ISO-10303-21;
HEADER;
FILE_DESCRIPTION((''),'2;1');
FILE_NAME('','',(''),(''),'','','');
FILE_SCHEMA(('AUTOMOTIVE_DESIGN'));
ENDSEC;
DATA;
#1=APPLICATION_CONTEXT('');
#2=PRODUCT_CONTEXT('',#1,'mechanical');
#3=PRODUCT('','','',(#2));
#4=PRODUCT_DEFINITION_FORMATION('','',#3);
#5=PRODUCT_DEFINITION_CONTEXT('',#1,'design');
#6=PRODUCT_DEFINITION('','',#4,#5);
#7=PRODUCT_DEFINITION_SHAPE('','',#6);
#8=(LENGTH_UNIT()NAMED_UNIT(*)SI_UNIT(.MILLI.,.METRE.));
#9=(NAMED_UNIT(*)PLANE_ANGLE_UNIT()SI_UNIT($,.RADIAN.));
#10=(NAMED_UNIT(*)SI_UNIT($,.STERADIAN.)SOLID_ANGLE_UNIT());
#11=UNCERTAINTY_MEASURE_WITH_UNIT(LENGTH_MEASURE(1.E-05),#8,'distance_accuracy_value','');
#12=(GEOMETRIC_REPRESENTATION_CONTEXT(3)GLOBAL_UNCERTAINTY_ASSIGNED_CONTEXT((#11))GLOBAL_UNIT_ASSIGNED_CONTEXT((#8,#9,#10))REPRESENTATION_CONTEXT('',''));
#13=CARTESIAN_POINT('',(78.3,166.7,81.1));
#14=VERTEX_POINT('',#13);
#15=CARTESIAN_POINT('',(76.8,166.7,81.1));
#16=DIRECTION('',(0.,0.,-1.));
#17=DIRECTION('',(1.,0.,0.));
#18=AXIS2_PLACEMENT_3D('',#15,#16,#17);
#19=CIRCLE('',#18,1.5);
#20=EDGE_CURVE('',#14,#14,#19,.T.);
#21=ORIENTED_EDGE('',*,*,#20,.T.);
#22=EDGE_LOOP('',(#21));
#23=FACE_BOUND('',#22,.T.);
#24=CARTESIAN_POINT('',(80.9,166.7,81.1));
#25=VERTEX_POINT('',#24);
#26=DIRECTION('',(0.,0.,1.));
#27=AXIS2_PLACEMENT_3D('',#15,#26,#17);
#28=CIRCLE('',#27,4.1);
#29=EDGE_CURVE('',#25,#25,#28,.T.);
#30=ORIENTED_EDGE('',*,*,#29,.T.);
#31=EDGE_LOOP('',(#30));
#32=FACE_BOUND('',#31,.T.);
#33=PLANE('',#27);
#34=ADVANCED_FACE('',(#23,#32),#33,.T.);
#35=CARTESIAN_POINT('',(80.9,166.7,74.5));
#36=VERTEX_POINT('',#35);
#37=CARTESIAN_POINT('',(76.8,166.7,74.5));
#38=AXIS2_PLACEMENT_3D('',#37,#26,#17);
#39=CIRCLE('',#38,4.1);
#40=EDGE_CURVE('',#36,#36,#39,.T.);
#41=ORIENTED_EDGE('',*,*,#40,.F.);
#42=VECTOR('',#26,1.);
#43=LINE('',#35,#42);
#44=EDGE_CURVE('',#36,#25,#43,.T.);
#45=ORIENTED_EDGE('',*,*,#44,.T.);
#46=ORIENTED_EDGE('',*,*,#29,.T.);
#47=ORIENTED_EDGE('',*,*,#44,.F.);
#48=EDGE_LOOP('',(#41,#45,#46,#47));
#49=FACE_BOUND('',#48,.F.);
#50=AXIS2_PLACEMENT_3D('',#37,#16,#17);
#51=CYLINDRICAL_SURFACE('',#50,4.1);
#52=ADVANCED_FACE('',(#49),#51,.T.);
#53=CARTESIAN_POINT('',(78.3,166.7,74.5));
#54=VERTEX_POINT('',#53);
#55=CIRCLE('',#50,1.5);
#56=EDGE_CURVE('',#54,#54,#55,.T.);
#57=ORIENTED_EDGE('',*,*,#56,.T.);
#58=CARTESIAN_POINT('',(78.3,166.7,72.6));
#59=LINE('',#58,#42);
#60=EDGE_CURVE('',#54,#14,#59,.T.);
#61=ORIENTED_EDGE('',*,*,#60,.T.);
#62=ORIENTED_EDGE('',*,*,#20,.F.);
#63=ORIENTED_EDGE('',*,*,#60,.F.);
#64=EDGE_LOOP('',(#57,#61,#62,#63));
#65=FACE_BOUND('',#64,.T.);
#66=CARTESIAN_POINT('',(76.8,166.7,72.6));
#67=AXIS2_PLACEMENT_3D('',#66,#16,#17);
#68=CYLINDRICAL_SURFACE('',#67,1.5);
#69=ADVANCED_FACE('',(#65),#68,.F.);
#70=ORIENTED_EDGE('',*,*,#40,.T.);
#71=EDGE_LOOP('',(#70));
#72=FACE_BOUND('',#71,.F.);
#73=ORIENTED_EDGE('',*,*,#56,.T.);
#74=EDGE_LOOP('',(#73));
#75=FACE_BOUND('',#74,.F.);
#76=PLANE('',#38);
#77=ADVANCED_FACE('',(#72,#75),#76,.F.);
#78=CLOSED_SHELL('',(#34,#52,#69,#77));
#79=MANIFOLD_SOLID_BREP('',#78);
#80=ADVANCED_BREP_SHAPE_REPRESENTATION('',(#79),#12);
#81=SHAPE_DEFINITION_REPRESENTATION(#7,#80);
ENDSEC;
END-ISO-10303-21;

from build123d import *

# Parameters (mm, degrees)
CYLINDER225_R     = 1.5
CYLINDER225_DEPTH = 10
CYLINDER226_R     = 4.1
CYLINDER226_DEPTH = 6.6


with BuildPart() as cylinder225:
    # Cylinder225 → Cylinder225 (new body)
    with BuildSketch(Plane.XY.offset(-1.9)):
        Circle(CYLINDER225_R)
    extrude(amount=CYLINDER225_DEPTH)


with BuildPart() as cut162:
    # Cylinder226 → Cylinder226 (new body)
    with BuildSketch(Plane.XY):
        Circle(CYLINDER226_R)
    extrude(amount=CYLINDER226_DEPTH)

    # Cut162: cut Cylinder225
    add(cylinder225.part, mode=Mode.SUBTRACT)


with BuildPart() as cut162_1:
    # Cut162 placement: moved
    add(cut162.part.moved(Location((76.8, 166.7, 74.5))))


solid = cut162_1.part
